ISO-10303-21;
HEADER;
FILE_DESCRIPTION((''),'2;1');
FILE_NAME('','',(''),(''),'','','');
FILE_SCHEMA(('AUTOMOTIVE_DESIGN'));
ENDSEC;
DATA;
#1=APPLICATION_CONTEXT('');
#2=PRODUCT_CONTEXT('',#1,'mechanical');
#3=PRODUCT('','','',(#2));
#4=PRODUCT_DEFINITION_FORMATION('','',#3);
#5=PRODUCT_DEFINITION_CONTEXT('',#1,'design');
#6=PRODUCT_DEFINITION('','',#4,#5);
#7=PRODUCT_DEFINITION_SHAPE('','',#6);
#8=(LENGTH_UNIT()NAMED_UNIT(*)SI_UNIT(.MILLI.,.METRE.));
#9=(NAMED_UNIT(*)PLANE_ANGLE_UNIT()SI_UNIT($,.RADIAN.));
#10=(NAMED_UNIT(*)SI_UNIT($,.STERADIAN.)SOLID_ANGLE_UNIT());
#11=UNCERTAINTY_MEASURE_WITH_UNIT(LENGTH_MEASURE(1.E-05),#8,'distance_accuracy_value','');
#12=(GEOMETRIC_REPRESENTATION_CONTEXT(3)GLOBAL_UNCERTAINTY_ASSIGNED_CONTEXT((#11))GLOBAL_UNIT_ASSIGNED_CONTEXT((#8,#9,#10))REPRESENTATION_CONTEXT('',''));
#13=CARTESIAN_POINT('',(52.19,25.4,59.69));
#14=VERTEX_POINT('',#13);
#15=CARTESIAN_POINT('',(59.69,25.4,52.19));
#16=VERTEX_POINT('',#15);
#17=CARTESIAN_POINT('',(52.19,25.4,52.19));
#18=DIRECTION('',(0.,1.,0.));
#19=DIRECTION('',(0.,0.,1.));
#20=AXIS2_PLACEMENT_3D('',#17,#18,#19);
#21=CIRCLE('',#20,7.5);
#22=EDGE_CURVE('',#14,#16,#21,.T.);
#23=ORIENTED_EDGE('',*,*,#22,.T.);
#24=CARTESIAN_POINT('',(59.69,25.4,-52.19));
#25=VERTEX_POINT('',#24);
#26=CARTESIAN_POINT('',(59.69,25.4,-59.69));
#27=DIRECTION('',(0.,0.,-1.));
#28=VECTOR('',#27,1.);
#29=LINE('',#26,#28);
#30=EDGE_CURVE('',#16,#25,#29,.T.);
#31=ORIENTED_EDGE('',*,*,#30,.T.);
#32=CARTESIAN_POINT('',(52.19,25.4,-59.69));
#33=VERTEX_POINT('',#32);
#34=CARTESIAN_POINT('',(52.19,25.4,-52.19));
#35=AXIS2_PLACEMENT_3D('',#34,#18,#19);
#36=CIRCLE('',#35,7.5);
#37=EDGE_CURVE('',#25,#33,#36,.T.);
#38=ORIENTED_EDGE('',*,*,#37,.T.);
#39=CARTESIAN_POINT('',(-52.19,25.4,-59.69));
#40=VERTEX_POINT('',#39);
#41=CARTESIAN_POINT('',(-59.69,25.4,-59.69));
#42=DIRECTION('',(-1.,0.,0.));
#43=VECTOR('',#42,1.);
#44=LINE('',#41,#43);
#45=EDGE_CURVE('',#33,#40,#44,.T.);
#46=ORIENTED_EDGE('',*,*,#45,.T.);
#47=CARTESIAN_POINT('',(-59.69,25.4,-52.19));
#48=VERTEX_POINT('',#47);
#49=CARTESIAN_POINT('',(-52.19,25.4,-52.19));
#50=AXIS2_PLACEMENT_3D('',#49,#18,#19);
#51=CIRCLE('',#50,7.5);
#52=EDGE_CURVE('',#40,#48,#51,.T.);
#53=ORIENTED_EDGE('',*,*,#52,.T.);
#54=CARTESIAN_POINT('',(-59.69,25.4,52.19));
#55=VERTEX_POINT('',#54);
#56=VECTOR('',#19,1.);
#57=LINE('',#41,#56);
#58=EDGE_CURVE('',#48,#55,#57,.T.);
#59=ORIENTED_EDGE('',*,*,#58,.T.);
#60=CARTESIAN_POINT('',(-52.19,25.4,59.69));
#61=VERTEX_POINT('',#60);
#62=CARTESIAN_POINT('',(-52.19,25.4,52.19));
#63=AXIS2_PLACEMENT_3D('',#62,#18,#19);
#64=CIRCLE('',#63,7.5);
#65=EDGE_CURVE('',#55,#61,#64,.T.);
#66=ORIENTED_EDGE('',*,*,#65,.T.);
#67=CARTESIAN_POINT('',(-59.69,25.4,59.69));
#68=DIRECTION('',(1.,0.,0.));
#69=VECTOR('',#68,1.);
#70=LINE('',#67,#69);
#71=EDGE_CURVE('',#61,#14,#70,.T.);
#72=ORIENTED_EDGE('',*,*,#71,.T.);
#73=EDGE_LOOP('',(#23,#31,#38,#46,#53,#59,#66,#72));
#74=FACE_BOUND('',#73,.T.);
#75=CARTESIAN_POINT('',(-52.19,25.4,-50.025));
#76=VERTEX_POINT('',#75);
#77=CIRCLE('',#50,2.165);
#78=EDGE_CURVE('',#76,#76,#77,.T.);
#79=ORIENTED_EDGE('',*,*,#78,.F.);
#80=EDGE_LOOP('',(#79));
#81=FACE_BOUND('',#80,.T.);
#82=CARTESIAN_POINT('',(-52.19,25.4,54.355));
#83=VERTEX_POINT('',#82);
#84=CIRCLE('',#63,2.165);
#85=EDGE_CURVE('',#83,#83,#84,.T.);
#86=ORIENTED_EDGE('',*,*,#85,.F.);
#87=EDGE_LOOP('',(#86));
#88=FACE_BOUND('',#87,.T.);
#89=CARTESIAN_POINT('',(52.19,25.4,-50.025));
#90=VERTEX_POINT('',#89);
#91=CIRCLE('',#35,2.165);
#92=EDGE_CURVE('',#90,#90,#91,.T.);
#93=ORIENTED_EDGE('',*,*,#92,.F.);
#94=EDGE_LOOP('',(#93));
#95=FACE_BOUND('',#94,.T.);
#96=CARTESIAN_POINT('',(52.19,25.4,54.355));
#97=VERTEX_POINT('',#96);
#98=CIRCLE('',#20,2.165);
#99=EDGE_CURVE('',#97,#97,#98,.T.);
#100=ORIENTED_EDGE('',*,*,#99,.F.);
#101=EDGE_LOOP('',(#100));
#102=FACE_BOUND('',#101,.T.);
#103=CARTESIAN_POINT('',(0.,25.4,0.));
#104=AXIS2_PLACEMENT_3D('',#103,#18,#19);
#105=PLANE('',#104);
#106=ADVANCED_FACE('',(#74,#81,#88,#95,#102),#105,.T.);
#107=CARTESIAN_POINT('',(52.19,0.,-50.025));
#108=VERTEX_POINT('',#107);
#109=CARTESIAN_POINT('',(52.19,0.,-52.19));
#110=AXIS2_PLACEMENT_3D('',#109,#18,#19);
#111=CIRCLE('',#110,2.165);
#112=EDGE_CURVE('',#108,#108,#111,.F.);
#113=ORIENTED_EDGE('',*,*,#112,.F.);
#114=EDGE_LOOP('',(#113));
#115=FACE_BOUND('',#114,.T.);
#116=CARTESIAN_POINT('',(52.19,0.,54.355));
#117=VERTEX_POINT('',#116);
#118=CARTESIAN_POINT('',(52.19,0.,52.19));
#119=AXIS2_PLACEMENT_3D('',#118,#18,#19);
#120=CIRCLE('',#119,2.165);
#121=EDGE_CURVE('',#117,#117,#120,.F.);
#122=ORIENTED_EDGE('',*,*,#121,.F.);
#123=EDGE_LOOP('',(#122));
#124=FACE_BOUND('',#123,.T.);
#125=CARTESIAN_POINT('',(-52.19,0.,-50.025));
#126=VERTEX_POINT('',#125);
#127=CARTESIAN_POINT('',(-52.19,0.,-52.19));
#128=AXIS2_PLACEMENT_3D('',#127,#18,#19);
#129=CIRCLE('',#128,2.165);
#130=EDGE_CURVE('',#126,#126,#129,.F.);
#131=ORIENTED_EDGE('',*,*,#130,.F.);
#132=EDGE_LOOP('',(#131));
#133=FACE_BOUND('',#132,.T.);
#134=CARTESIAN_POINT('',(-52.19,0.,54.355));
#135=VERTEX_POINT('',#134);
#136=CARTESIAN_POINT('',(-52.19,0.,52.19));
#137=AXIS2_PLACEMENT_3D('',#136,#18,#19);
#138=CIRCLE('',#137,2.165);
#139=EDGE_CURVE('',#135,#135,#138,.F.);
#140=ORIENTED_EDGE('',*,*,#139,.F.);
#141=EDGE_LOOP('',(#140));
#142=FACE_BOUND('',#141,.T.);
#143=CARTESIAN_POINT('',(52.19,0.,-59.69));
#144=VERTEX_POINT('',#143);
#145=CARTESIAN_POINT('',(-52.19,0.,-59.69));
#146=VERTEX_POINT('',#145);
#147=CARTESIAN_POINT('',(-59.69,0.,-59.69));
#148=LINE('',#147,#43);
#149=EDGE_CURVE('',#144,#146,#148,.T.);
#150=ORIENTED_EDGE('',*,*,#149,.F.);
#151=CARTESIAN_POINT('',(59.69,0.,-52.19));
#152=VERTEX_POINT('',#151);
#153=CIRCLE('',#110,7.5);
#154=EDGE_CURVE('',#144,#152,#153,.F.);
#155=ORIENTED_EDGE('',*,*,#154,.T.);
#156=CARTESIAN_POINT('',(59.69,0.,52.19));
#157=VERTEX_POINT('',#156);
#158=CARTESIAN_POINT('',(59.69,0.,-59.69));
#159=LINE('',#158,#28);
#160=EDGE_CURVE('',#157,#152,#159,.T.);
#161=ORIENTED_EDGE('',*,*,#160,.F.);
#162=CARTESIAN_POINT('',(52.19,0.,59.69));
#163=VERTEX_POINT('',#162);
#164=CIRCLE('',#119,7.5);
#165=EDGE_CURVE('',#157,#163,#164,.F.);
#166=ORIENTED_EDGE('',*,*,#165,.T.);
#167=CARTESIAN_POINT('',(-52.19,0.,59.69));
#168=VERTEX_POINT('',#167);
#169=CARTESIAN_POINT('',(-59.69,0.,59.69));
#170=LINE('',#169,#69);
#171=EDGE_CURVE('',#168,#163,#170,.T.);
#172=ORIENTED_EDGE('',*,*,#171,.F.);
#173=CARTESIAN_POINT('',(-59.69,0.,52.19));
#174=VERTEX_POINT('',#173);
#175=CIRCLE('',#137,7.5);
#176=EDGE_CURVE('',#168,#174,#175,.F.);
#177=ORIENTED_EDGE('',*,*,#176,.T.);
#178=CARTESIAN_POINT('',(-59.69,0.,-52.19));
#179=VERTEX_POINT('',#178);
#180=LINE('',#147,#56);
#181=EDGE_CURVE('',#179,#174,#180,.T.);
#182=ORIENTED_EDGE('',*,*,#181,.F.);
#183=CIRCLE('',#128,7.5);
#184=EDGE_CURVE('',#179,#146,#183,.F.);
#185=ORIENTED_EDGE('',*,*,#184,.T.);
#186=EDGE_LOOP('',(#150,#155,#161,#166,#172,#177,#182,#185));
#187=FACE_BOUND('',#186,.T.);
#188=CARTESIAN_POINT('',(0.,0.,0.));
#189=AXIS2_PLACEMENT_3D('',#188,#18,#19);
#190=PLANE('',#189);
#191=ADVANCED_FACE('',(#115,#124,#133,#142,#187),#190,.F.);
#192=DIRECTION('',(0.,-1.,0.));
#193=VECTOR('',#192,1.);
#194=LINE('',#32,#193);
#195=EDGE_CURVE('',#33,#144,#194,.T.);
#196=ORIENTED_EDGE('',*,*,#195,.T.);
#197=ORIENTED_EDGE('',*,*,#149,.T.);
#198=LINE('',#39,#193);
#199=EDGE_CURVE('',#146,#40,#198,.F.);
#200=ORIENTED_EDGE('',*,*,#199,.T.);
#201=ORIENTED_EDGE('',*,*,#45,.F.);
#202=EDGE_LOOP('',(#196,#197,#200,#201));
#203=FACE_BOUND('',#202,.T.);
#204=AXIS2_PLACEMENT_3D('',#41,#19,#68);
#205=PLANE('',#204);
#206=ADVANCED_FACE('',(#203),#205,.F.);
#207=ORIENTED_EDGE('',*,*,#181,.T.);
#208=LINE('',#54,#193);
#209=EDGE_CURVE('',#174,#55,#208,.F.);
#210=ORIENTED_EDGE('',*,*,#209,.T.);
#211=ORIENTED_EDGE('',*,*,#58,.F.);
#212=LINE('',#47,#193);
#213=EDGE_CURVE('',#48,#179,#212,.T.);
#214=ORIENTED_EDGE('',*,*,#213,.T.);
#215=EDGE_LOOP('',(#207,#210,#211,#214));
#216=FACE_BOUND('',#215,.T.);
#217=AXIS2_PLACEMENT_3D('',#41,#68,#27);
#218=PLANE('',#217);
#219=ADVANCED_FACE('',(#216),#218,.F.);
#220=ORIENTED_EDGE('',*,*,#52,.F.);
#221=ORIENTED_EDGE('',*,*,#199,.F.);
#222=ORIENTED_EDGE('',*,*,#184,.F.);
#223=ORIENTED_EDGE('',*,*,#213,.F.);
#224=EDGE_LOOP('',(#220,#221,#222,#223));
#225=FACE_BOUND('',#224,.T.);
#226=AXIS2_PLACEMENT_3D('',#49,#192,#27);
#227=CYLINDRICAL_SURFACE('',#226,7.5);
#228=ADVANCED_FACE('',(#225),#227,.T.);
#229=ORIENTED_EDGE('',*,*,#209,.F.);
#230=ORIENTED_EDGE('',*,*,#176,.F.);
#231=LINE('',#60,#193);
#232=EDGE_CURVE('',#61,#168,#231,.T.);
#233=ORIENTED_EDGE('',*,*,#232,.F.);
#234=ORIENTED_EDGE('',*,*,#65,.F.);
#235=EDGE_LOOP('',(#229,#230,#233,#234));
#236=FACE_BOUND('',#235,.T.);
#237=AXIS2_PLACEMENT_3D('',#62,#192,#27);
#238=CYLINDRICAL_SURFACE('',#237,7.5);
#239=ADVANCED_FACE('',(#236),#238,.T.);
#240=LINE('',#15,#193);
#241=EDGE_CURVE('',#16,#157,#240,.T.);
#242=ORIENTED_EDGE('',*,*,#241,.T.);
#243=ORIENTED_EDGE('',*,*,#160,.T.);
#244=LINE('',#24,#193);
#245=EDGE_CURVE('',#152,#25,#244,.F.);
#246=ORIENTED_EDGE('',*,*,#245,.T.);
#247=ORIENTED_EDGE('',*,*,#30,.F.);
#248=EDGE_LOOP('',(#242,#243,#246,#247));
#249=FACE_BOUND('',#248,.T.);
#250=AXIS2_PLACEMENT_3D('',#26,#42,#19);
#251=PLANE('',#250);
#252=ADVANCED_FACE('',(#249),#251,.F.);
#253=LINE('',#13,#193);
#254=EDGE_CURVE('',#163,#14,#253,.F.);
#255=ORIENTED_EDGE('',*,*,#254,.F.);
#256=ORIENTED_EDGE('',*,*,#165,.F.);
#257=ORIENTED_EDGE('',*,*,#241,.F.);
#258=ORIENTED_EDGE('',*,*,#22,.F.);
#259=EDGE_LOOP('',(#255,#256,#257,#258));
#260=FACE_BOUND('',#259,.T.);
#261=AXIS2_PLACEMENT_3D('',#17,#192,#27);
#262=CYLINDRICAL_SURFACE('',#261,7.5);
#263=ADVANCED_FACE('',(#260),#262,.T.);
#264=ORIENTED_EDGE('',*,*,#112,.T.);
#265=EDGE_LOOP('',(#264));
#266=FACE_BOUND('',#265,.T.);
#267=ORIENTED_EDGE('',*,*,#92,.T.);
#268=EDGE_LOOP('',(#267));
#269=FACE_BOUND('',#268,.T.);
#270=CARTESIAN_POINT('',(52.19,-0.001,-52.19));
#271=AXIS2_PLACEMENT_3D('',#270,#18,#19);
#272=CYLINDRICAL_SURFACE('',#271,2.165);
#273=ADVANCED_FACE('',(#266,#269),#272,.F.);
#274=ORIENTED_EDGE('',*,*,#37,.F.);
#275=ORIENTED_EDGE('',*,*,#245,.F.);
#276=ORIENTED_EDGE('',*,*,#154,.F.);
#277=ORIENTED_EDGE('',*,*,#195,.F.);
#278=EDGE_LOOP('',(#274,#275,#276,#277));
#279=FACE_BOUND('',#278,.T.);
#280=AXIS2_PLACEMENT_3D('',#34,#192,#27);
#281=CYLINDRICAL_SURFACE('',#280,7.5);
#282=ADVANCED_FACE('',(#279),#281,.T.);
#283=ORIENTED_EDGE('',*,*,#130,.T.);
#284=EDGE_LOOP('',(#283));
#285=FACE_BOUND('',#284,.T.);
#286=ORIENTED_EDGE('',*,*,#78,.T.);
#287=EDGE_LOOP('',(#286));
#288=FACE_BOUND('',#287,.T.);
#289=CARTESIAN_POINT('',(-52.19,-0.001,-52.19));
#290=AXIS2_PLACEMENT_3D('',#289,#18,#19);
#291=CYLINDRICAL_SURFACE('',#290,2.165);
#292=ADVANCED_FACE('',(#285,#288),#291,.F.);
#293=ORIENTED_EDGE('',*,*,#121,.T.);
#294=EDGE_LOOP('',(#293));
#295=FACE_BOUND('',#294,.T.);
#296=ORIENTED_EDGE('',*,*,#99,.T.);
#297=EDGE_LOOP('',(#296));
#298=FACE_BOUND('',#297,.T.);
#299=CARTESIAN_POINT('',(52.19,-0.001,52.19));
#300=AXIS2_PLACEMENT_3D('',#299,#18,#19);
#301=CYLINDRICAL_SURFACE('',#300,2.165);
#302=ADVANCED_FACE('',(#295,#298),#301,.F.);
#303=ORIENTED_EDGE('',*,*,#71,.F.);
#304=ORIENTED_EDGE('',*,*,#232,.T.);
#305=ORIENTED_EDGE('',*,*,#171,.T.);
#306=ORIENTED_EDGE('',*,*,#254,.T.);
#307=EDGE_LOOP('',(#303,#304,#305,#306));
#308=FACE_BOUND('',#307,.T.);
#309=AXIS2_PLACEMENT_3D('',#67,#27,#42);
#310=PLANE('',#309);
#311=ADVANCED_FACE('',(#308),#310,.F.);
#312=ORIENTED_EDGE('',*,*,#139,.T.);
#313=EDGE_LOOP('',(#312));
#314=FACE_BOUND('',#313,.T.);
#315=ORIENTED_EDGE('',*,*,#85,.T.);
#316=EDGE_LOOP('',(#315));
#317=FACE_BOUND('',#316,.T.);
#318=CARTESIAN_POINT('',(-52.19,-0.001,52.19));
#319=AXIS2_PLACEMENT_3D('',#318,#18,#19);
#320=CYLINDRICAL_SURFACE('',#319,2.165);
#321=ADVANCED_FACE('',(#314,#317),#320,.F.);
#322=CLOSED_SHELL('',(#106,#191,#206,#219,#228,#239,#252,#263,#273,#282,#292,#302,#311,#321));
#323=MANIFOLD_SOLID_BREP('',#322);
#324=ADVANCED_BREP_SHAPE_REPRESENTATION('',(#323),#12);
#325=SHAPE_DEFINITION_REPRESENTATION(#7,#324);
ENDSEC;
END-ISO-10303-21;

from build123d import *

# Parameters (mm, degrees)
SKETCH1_W           = 119.38
SKETCH1_H           = 119.38
BOSS_EXTRUDE1_DEPTH = 25.4
CUT_EXTRUDE1_REACH  = 27.4
SKETCH2_R           = 2.165
FILLET1_R           = 7.5
FILLET2_R           = 7.5
FILLET3_R           = 7.5


with BuildPart() as part:
    # Sketch1 → Boss-Extrude1 (new body)
    with BuildSketch(Plane(origin=(0, 0, 0), x_dir=(1, 0, 0), z_dir=(0, 1, 0))):
        Rectangle(SKETCH1_W, SKETCH1_H)
    extrude(amount=BOSS_EXTRUDE1_DEPTH)

    # Sketch2 → Cut-Extrude1 (cut, up to next)
    with BuildSketch(Plane(origin=(0, 25.4, 0), x_dir=(1, 0, 0), z_dir=(0, 1, 0)), mode=Mode.PRIVATE) as cut_extrude1_sk1:
        with Locations((-52.19, 52.19)):
            Circle(SKETCH2_R)
    cut_extrude1_tool1 = extrude(cut_extrude1_sk1.sketch, amount=-CUT_EXTRUDE1_REACH, mode=Mode.PRIVATE) & part.part
    add(cut_extrude1_tool1.solids().sort_by_distance((-52.19, 25.4, -52.19))[0], mode=Mode.SUBTRACT)
    # Sketch2 → Cut-Extrude1 (cut, up to next)
    with BuildSketch(Plane(origin=(0, 25.4, 0), x_dir=(1, 0, 0), z_dir=(0, 1, 0)), mode=Mode.PRIVATE) as cut_extrude1_sk2:
        with Locations((52.19, 52.19)):
            Circle(SKETCH2_R)
    cut_extrude1_tool2 = extrude(cut_extrude1_sk2.sketch, amount=-CUT_EXTRUDE1_REACH, mode=Mode.PRIVATE) & part.part
    add(cut_extrude1_tool2.solids().sort_by_distance((52.19, 25.4, -52.19))[0], mode=Mode.SUBTRACT)
    # Sketch2 → Cut-Extrude1 (cut, up to next)
    with BuildSketch(Plane(origin=(0, 25.4, 0), x_dir=(1, 0, 0), z_dir=(0, 1, 0)), mode=Mode.PRIVATE) as cut_extrude1_sk3:
        with Locations((52.19, -52.19)):
            Circle(SKETCH2_R)
    cut_extrude1_tool3 = extrude(cut_extrude1_sk3.sketch, amount=-CUT_EXTRUDE1_REACH, mode=Mode.PRIVATE) & part.part
    add(cut_extrude1_tool3.solids().sort_by_distance((52.19, 25.4, 52.19))[0], mode=Mode.SUBTRACT)
    # Sketch2 → Cut-Extrude1 (cut, up to next)
    with BuildSketch(Plane(origin=(0, 25.4, 0), x_dir=(1, 0, 0), z_dir=(0, 1, 0)), mode=Mode.PRIVATE) as cut_extrude1_sk4:
        with Locations((-52.19, -52.19)):
            Circle(SKETCH2_R)
    cut_extrude1_tool4 = extrude(cut_extrude1_sk4.sketch, amount=-CUT_EXTRUDE1_REACH, mode=Mode.PRIVATE) & part.part
    add(cut_extrude1_tool4.solids().sort_by_distance((-52.19, 25.4, 52.19))[0], mode=Mode.SUBTRACT)

    # Fillet1
    fillet1_edges = [part.edges().sort_by_distance(p)[0] for p in [
        (-59.69, 12.7, -59.69),
    ]]
    fillet(fillet1_edges, radius=FILLET1_R)

    # Fillet2
    fillet2_edges = [part.edges().sort_by_distance(p)[0] for p in [
        (59.69, 12.7, -59.69),
    ]]
    fillet(fillet2_edges, radius=FILLET2_R)

    # Fillet3
    fillet3_edges = [part.edges().sort_by_distance(p)[0] for p in [
        (59.69, 12.7, 59.69),
        (-59.69, 12.7, 59.69),
    ]]
    fillet(fillet3_edges, radius=FILLET3_R)


solid = part.part
